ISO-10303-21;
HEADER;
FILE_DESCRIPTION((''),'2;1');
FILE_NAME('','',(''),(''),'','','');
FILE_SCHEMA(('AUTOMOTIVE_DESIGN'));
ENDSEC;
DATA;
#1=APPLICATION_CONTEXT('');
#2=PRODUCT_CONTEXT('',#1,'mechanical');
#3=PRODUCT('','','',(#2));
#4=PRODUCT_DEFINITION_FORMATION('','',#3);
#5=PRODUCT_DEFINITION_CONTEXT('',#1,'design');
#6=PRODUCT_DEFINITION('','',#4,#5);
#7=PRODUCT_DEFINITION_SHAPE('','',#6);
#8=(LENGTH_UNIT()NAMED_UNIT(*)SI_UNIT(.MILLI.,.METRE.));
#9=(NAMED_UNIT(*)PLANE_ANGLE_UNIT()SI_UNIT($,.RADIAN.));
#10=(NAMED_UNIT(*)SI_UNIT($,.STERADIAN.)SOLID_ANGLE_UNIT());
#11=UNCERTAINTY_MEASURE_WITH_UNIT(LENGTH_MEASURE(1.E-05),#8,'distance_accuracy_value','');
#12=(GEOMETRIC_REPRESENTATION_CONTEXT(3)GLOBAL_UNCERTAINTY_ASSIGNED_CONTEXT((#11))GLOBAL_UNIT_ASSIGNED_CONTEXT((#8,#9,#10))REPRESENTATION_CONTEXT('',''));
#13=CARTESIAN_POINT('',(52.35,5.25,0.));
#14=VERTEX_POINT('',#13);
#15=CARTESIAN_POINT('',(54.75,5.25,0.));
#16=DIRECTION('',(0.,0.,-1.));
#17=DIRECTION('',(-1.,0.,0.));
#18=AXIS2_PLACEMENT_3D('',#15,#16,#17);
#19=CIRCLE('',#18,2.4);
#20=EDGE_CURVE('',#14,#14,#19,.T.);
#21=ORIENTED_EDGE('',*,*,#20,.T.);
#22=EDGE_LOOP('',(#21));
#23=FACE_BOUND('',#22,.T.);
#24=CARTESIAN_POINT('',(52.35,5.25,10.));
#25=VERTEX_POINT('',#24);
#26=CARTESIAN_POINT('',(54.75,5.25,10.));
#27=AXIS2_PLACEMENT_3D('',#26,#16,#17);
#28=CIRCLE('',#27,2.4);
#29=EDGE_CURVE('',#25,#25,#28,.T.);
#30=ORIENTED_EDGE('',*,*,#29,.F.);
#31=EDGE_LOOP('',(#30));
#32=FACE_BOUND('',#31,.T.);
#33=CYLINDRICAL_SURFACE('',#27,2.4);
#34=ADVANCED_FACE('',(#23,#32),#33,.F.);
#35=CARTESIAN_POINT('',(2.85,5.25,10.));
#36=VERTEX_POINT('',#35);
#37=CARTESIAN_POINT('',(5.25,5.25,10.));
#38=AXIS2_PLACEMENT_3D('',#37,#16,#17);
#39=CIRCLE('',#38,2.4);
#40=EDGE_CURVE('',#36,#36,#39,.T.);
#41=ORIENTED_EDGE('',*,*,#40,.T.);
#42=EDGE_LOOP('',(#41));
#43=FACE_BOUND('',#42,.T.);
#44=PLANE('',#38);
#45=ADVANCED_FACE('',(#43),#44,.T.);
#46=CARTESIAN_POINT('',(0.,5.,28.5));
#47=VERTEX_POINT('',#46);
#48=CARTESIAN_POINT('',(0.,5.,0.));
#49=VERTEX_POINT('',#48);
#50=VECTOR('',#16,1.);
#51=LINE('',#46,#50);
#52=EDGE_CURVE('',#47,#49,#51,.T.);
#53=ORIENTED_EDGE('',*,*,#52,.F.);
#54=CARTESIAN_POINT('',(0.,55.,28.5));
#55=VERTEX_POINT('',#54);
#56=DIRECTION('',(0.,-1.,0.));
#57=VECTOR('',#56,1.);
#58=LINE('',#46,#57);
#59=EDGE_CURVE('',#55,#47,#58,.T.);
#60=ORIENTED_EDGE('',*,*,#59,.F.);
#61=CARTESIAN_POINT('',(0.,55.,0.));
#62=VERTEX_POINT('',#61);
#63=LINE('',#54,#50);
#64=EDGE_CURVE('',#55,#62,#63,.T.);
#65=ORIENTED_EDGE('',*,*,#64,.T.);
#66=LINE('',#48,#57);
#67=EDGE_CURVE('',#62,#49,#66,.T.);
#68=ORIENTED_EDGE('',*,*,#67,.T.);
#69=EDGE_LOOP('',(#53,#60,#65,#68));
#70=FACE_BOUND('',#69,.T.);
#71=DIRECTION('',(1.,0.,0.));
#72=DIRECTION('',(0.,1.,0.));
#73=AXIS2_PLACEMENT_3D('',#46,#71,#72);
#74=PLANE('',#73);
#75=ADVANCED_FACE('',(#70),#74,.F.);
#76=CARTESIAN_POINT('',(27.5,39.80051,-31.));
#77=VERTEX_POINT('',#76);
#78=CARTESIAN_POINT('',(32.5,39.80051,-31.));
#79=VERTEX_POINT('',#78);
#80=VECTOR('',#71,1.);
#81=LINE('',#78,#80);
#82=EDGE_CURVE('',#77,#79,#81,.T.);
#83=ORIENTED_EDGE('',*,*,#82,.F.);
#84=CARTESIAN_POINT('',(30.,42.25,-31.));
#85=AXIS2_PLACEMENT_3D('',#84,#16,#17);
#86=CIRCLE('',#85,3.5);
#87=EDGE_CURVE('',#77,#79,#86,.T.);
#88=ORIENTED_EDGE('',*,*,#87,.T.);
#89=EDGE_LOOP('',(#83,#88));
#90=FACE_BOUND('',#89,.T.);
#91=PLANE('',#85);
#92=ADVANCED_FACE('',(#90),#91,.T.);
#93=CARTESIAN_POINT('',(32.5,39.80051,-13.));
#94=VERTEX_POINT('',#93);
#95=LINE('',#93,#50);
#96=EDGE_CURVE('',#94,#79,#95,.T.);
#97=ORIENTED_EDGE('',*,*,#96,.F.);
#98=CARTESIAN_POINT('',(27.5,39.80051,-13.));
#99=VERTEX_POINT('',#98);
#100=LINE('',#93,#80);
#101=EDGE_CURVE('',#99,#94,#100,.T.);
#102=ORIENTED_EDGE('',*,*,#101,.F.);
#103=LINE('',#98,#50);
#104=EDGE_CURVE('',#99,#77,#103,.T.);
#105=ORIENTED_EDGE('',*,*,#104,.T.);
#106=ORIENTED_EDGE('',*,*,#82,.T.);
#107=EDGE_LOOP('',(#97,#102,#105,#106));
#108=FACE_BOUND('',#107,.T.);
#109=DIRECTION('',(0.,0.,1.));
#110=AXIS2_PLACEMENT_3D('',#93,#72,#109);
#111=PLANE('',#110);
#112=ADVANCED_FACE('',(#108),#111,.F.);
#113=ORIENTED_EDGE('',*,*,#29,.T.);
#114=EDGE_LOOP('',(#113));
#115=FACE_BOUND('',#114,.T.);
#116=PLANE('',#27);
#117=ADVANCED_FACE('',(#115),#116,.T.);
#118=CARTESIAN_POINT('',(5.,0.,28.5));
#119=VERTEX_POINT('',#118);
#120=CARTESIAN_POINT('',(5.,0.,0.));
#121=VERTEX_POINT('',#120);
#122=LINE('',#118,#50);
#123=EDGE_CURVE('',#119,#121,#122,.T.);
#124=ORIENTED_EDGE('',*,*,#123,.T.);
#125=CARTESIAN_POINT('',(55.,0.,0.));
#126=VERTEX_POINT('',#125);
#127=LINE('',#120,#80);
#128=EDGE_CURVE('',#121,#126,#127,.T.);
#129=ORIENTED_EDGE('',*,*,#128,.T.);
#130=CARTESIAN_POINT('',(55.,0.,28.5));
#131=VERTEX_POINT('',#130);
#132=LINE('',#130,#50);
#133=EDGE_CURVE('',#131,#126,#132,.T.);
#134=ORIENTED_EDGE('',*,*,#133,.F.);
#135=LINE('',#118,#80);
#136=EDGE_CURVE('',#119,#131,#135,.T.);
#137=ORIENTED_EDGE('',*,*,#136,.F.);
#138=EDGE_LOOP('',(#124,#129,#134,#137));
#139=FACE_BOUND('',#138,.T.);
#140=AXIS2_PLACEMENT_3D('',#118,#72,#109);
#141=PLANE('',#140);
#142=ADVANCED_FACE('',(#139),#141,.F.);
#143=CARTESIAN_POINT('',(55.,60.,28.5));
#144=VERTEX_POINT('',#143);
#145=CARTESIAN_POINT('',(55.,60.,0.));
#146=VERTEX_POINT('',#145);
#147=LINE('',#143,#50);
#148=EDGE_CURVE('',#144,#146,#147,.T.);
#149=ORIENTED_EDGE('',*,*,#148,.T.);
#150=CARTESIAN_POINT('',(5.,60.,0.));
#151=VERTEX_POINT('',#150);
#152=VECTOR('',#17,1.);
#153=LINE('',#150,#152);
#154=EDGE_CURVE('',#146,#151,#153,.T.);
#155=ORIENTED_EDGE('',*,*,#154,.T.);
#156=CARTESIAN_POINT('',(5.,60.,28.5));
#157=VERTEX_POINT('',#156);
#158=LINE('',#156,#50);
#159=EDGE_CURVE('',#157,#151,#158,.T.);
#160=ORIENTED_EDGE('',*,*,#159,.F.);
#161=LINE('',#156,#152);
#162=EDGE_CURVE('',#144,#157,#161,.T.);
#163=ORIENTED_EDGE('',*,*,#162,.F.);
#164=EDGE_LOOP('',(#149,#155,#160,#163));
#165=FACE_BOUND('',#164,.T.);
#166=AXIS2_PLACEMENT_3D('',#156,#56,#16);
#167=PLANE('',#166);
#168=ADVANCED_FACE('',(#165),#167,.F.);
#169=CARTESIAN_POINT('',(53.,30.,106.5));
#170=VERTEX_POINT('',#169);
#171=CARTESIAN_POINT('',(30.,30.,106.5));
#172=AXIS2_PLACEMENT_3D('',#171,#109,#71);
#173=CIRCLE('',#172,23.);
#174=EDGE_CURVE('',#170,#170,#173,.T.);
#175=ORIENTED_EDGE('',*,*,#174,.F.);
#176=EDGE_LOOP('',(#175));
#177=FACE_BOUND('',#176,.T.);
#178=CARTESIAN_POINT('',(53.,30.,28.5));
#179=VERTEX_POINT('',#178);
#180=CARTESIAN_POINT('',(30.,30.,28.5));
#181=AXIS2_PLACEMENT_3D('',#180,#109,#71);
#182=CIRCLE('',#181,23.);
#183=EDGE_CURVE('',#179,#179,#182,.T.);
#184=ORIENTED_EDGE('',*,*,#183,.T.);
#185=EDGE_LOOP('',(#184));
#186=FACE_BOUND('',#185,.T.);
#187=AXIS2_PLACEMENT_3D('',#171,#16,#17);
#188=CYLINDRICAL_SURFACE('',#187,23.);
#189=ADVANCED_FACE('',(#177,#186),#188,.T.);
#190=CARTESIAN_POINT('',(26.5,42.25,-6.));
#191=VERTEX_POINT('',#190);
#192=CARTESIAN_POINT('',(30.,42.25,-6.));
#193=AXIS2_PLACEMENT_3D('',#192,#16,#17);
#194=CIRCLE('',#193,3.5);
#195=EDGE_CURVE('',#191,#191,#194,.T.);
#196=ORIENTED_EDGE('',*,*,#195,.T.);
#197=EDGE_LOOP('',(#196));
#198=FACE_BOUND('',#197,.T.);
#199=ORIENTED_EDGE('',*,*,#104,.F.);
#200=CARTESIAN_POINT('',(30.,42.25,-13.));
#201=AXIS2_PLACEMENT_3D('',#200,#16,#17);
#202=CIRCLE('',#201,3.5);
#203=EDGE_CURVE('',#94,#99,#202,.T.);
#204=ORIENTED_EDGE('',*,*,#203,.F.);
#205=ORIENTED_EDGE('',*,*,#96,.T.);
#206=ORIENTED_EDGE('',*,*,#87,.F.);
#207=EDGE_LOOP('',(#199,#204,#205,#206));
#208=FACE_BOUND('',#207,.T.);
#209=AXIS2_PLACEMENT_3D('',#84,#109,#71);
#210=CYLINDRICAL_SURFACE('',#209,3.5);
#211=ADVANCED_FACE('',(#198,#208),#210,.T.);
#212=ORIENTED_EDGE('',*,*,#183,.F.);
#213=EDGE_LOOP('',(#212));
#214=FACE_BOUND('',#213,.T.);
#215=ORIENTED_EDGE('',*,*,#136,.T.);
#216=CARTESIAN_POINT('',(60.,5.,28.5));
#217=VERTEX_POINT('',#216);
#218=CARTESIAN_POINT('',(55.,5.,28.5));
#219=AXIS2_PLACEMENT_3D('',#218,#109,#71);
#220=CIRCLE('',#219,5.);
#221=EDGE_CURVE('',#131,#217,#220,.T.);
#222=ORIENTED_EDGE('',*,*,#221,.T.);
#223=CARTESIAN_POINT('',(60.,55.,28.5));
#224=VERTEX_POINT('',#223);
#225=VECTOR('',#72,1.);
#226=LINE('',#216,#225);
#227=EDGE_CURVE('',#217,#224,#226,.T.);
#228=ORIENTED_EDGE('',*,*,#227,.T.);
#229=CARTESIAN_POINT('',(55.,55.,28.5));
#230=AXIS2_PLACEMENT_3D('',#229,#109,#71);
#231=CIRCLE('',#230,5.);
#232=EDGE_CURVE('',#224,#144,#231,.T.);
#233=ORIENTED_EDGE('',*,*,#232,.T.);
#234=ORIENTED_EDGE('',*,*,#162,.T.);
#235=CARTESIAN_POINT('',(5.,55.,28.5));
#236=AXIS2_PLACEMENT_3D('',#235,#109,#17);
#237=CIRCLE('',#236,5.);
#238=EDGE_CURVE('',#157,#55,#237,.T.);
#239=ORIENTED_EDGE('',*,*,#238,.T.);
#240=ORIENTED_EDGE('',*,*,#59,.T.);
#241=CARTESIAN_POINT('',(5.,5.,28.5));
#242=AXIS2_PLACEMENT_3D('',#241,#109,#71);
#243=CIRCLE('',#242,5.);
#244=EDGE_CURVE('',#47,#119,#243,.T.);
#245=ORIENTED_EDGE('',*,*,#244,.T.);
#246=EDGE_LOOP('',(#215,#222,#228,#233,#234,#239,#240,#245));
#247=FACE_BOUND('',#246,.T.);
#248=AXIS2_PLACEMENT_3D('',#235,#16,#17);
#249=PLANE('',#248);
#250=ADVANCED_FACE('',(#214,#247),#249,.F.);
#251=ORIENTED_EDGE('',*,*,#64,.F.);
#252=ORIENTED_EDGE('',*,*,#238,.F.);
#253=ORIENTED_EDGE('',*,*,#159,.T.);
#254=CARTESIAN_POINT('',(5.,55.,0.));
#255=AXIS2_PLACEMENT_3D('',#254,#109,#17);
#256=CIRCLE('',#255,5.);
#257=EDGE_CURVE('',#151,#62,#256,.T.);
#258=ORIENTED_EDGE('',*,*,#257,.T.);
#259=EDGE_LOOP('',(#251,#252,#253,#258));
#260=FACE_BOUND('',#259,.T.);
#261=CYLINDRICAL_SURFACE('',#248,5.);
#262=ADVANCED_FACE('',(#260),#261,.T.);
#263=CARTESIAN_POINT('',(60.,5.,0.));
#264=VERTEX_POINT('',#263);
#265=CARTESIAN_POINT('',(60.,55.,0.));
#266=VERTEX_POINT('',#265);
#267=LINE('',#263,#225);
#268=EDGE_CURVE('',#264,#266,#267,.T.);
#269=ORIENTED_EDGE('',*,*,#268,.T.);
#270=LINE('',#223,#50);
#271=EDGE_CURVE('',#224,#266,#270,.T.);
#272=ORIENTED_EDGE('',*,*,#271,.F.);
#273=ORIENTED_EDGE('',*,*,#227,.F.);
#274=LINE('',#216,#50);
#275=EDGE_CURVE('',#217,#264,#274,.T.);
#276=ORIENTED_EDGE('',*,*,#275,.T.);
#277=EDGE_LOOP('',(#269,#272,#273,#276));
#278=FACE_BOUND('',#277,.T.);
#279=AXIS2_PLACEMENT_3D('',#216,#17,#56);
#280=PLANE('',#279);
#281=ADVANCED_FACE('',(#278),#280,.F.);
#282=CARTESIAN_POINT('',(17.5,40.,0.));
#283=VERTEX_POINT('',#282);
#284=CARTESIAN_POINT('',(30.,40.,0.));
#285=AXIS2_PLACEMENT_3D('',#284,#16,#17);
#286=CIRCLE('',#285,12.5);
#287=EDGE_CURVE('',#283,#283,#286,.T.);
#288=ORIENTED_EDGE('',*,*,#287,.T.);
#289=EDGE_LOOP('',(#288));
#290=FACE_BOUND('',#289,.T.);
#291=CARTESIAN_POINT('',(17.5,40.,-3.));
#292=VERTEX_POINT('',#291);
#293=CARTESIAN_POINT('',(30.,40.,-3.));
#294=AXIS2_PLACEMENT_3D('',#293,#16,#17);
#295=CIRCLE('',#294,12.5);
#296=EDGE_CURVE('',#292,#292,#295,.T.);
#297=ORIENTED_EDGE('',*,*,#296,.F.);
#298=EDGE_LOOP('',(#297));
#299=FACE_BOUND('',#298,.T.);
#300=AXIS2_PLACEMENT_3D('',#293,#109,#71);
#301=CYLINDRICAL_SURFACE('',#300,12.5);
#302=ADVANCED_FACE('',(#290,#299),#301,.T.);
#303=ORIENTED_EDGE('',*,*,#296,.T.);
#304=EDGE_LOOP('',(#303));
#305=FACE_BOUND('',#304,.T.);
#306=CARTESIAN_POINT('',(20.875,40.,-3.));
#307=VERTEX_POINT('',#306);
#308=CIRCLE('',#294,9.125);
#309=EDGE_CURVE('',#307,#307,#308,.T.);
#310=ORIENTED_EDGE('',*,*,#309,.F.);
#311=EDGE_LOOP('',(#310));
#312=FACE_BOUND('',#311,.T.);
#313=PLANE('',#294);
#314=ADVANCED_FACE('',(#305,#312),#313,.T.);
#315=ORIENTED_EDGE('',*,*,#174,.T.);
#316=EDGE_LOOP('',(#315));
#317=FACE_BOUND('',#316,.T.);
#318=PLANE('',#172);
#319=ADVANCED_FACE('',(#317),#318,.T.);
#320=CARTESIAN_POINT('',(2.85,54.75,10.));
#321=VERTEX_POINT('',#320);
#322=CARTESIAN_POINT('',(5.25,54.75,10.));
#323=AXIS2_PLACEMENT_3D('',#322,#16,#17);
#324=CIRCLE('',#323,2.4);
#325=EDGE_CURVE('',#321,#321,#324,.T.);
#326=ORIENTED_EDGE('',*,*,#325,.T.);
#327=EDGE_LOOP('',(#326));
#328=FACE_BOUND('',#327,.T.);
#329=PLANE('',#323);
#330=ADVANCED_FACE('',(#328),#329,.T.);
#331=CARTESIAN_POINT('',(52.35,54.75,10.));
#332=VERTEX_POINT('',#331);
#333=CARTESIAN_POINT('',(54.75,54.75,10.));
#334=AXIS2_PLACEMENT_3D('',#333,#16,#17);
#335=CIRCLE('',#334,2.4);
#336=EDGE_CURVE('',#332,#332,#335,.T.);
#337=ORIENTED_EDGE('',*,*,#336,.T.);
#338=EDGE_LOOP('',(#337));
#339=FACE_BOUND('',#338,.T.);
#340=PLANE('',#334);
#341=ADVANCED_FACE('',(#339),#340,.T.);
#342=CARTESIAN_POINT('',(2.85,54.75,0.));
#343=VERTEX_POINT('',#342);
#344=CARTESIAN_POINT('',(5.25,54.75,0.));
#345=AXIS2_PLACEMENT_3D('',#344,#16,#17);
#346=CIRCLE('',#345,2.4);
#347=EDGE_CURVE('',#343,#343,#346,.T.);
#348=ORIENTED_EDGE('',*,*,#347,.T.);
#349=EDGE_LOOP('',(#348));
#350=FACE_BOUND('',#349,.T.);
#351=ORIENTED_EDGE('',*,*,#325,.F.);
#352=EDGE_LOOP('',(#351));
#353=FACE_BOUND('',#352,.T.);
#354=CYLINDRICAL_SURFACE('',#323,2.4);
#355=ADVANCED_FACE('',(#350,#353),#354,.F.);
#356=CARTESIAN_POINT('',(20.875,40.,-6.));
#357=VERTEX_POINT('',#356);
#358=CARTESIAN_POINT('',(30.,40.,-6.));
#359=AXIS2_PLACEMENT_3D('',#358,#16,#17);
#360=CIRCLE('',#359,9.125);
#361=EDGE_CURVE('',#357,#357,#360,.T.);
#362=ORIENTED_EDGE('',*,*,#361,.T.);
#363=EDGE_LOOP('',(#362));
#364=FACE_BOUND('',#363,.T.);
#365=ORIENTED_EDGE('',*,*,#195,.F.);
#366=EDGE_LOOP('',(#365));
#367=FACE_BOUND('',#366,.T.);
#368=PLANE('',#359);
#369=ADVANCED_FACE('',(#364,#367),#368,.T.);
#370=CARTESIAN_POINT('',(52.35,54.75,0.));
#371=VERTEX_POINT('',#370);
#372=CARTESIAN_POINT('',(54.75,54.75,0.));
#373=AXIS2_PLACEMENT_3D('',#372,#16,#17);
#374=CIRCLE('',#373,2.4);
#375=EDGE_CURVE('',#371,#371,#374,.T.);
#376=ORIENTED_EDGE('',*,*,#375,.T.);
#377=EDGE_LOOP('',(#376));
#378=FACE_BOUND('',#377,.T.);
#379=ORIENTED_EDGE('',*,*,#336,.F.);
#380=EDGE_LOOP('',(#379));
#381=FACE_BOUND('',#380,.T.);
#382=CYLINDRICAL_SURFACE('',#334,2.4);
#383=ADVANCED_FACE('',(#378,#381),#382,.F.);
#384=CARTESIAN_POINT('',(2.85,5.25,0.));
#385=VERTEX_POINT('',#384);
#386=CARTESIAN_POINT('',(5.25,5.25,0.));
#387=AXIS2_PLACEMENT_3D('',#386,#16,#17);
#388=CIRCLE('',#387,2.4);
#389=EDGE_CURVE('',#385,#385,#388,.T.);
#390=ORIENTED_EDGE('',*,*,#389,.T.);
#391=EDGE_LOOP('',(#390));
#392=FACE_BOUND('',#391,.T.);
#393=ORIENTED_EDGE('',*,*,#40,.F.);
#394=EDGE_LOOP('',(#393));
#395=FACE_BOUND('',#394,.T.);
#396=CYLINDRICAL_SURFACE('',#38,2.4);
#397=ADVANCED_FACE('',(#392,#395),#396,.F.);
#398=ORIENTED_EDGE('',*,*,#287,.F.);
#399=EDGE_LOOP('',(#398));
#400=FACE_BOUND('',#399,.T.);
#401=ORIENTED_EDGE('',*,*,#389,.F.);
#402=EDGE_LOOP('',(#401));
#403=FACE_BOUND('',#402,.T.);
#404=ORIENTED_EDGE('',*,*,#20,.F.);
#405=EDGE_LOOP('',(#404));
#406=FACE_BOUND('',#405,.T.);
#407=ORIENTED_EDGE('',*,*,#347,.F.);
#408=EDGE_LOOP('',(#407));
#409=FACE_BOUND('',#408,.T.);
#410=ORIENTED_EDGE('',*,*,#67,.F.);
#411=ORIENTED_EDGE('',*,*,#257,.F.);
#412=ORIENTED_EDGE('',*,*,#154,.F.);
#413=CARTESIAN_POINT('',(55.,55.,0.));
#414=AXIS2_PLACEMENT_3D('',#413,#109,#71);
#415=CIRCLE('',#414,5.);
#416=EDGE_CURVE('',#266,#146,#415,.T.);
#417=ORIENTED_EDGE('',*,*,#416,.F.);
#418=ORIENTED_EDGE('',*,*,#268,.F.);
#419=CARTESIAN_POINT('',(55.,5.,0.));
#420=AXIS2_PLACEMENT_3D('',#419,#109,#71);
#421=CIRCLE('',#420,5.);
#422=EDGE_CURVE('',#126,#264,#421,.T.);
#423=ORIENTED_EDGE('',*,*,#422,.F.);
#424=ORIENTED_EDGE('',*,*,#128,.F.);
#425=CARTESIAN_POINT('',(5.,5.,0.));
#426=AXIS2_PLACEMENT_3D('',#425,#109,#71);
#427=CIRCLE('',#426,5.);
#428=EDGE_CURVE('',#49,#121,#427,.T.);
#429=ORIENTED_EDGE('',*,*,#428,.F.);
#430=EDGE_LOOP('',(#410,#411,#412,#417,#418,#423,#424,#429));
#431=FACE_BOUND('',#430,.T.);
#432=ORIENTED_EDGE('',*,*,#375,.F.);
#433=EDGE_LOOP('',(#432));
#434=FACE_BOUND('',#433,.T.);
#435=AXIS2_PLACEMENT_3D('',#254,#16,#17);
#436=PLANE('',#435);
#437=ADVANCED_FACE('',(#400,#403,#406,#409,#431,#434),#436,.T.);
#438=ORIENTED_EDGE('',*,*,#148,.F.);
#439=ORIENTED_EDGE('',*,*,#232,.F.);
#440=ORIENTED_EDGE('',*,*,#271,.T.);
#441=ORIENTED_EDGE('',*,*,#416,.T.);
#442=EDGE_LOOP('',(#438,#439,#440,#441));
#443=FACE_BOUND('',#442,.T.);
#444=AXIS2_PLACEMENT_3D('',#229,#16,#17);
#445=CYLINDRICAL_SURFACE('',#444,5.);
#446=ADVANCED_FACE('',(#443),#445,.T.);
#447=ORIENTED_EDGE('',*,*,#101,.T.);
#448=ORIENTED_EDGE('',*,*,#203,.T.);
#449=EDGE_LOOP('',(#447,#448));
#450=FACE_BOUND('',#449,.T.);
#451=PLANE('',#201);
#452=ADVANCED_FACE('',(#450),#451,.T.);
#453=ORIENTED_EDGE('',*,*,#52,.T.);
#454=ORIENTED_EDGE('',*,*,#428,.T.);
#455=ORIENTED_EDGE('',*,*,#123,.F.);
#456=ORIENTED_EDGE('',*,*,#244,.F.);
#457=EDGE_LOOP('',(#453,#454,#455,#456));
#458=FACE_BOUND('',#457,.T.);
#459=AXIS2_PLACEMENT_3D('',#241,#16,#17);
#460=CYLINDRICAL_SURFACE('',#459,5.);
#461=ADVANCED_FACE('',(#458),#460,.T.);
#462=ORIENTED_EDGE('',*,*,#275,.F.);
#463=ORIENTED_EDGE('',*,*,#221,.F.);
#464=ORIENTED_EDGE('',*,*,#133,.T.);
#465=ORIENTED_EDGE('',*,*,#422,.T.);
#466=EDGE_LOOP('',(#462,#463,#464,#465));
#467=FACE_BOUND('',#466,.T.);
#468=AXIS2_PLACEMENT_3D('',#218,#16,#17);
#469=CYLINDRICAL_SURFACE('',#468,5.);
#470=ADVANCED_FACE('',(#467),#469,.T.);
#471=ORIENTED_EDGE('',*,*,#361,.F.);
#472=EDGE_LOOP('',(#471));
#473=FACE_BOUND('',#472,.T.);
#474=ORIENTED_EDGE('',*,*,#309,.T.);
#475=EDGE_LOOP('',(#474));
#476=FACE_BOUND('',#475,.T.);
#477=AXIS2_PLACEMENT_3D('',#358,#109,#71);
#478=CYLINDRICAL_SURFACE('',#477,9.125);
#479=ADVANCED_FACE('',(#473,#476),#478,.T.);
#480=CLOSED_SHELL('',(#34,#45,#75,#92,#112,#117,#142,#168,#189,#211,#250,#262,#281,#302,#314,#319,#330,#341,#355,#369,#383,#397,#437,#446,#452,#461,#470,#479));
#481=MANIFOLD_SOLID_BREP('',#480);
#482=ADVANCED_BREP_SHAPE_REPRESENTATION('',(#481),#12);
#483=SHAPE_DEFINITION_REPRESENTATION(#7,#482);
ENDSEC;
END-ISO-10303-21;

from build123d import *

# Parameters (mm, degrees)
BOSS_EXTRUDE1_DEPTH = 28.5
SKETCH2_R           = 23
BOSS_EXTRUDE2_DEPTH = 78
SKETCH3_R           = 9.125
BOSS_EXTRUDE3_DEPTH = 6
SKETCH4_R           = 3.5
BOSS_EXTRUDE4_DEPTH = 25
CUT_EXTRUDE1_START  = -18
CUT_EXTRUDE1_DEPTH  = 18
SKETCH6_R           = 2.4
CUT_EXTRUDE2_DEPTH  = 10
SKETCH7_R           = 12.5
SKETCH7_R_2         = 9.125
BOSS_EXTRUDE5_DEPTH = 3


with BuildPart() as part:
    # Sketch1 → Boss-Extrude1 (new body)
    with BuildSketch(Plane.XY):
        with BuildLine():
            Line((5, 0), (55, 0))
            ThreePointArc((55, 0), (58.535533906, 1.464466094), (60, 5))
            Line((60, 5), (60, 55))
            ThreePointArc((60, 55), (58.535533906, 58.535533906), (55, 60))
            Line((55, 60), (5, 60))
            ThreePointArc((5, 60), (1.464466094, 58.535533906), (0, 55))
            Line((0, 55), (0, 5))
            ThreePointArc((0, 5), (1.464466094, 1.464466094), (5, 0))
        make_face()
    extrude(amount=BOSS_EXTRUDE1_DEPTH)

    # Sketch2 → Boss-Extrude2 (add)
    with BuildSketch(Plane.XY.offset(28.5)):
        with Locations((30, 30)):
            Circle(SKETCH2_R)
    extrude(amount=BOSS_EXTRUDE2_DEPTH)

    # Sketch3 → Boss-Extrude3 (add)
    with BuildSketch(Plane(origin=(0, 0, 0), x_dir=(-1, 0, 0), z_dir=(0, 0, -1))):
        with Locations((-30, 40)):
            Circle(SKETCH3_R)
    extrude(amount=BOSS_EXTRUDE3_DEPTH)

    # Sketch4 → Boss-Extrude4 (add)
    with BuildSketch(Plane(origin=(0, 0, -6), x_dir=(-1, 0, 0), z_dir=(0, 0, -1))):
        with Locations((-30, 42.25)):
            Circle(SKETCH4_R)
    extrude(amount=BOSS_EXTRUDE4_DEPTH)

    # Sketch5 → Cut-Extrude1 (cut)
    with BuildSketch(Plane(origin=(0, 0, -31), x_dir=(-1, 0, 0), z_dir=(0, 0, -1)).offset(CUT_EXTRUDE1_START)):
        with BuildLine():
            Line((-32.5, 39.800510257), (-27.5, 39.800510257))
            ThreePointArc((-27.5, 39.800510257), (-30, 38.75), (-32.5, 39.800510257))
        make_face()
    extrude(amount=CUT_EXTRUDE1_DEPTH, mode=Mode.SUBTRACT)

    # Sketch6 → Cut-Extrude2 (cut)
    with BuildSketch(Plane(origin=(0, 0, 0), x_dir=(-1, 0, 0), z_dir=(0, 0, -1))):
        with Locations((-54.75, 54.75)):
            Circle(SKETCH6_R)
        with Locations((-5.25, 54.75)):
            Circle(SKETCH6_R)
        with Locations((-5.25, 5.25)):
            Circle(SKETCH6_R)
        with Locations((-54.75, 5.25)):
            Circle(SKETCH6_R)
    extrude(amount=-CUT_EXTRUDE2_DEPTH, mode=Mode.SUBTRACT)

    # Sketch7 → Boss-Extrude5 (add)
    with BuildSketch(Plane(origin=(0, 0, 0), x_dir=(-1, 0, 0), z_dir=(0, 0, -1))):
        with Locations((-30, 40)):
            Circle(SKETCH7_R)
        with Locations((-30, 40)):
            Circle(SKETCH7_R_2, mode=Mode.SUBTRACT)
    extrude(amount=BOSS_EXTRUDE5_DEPTH)


solid = part.part
